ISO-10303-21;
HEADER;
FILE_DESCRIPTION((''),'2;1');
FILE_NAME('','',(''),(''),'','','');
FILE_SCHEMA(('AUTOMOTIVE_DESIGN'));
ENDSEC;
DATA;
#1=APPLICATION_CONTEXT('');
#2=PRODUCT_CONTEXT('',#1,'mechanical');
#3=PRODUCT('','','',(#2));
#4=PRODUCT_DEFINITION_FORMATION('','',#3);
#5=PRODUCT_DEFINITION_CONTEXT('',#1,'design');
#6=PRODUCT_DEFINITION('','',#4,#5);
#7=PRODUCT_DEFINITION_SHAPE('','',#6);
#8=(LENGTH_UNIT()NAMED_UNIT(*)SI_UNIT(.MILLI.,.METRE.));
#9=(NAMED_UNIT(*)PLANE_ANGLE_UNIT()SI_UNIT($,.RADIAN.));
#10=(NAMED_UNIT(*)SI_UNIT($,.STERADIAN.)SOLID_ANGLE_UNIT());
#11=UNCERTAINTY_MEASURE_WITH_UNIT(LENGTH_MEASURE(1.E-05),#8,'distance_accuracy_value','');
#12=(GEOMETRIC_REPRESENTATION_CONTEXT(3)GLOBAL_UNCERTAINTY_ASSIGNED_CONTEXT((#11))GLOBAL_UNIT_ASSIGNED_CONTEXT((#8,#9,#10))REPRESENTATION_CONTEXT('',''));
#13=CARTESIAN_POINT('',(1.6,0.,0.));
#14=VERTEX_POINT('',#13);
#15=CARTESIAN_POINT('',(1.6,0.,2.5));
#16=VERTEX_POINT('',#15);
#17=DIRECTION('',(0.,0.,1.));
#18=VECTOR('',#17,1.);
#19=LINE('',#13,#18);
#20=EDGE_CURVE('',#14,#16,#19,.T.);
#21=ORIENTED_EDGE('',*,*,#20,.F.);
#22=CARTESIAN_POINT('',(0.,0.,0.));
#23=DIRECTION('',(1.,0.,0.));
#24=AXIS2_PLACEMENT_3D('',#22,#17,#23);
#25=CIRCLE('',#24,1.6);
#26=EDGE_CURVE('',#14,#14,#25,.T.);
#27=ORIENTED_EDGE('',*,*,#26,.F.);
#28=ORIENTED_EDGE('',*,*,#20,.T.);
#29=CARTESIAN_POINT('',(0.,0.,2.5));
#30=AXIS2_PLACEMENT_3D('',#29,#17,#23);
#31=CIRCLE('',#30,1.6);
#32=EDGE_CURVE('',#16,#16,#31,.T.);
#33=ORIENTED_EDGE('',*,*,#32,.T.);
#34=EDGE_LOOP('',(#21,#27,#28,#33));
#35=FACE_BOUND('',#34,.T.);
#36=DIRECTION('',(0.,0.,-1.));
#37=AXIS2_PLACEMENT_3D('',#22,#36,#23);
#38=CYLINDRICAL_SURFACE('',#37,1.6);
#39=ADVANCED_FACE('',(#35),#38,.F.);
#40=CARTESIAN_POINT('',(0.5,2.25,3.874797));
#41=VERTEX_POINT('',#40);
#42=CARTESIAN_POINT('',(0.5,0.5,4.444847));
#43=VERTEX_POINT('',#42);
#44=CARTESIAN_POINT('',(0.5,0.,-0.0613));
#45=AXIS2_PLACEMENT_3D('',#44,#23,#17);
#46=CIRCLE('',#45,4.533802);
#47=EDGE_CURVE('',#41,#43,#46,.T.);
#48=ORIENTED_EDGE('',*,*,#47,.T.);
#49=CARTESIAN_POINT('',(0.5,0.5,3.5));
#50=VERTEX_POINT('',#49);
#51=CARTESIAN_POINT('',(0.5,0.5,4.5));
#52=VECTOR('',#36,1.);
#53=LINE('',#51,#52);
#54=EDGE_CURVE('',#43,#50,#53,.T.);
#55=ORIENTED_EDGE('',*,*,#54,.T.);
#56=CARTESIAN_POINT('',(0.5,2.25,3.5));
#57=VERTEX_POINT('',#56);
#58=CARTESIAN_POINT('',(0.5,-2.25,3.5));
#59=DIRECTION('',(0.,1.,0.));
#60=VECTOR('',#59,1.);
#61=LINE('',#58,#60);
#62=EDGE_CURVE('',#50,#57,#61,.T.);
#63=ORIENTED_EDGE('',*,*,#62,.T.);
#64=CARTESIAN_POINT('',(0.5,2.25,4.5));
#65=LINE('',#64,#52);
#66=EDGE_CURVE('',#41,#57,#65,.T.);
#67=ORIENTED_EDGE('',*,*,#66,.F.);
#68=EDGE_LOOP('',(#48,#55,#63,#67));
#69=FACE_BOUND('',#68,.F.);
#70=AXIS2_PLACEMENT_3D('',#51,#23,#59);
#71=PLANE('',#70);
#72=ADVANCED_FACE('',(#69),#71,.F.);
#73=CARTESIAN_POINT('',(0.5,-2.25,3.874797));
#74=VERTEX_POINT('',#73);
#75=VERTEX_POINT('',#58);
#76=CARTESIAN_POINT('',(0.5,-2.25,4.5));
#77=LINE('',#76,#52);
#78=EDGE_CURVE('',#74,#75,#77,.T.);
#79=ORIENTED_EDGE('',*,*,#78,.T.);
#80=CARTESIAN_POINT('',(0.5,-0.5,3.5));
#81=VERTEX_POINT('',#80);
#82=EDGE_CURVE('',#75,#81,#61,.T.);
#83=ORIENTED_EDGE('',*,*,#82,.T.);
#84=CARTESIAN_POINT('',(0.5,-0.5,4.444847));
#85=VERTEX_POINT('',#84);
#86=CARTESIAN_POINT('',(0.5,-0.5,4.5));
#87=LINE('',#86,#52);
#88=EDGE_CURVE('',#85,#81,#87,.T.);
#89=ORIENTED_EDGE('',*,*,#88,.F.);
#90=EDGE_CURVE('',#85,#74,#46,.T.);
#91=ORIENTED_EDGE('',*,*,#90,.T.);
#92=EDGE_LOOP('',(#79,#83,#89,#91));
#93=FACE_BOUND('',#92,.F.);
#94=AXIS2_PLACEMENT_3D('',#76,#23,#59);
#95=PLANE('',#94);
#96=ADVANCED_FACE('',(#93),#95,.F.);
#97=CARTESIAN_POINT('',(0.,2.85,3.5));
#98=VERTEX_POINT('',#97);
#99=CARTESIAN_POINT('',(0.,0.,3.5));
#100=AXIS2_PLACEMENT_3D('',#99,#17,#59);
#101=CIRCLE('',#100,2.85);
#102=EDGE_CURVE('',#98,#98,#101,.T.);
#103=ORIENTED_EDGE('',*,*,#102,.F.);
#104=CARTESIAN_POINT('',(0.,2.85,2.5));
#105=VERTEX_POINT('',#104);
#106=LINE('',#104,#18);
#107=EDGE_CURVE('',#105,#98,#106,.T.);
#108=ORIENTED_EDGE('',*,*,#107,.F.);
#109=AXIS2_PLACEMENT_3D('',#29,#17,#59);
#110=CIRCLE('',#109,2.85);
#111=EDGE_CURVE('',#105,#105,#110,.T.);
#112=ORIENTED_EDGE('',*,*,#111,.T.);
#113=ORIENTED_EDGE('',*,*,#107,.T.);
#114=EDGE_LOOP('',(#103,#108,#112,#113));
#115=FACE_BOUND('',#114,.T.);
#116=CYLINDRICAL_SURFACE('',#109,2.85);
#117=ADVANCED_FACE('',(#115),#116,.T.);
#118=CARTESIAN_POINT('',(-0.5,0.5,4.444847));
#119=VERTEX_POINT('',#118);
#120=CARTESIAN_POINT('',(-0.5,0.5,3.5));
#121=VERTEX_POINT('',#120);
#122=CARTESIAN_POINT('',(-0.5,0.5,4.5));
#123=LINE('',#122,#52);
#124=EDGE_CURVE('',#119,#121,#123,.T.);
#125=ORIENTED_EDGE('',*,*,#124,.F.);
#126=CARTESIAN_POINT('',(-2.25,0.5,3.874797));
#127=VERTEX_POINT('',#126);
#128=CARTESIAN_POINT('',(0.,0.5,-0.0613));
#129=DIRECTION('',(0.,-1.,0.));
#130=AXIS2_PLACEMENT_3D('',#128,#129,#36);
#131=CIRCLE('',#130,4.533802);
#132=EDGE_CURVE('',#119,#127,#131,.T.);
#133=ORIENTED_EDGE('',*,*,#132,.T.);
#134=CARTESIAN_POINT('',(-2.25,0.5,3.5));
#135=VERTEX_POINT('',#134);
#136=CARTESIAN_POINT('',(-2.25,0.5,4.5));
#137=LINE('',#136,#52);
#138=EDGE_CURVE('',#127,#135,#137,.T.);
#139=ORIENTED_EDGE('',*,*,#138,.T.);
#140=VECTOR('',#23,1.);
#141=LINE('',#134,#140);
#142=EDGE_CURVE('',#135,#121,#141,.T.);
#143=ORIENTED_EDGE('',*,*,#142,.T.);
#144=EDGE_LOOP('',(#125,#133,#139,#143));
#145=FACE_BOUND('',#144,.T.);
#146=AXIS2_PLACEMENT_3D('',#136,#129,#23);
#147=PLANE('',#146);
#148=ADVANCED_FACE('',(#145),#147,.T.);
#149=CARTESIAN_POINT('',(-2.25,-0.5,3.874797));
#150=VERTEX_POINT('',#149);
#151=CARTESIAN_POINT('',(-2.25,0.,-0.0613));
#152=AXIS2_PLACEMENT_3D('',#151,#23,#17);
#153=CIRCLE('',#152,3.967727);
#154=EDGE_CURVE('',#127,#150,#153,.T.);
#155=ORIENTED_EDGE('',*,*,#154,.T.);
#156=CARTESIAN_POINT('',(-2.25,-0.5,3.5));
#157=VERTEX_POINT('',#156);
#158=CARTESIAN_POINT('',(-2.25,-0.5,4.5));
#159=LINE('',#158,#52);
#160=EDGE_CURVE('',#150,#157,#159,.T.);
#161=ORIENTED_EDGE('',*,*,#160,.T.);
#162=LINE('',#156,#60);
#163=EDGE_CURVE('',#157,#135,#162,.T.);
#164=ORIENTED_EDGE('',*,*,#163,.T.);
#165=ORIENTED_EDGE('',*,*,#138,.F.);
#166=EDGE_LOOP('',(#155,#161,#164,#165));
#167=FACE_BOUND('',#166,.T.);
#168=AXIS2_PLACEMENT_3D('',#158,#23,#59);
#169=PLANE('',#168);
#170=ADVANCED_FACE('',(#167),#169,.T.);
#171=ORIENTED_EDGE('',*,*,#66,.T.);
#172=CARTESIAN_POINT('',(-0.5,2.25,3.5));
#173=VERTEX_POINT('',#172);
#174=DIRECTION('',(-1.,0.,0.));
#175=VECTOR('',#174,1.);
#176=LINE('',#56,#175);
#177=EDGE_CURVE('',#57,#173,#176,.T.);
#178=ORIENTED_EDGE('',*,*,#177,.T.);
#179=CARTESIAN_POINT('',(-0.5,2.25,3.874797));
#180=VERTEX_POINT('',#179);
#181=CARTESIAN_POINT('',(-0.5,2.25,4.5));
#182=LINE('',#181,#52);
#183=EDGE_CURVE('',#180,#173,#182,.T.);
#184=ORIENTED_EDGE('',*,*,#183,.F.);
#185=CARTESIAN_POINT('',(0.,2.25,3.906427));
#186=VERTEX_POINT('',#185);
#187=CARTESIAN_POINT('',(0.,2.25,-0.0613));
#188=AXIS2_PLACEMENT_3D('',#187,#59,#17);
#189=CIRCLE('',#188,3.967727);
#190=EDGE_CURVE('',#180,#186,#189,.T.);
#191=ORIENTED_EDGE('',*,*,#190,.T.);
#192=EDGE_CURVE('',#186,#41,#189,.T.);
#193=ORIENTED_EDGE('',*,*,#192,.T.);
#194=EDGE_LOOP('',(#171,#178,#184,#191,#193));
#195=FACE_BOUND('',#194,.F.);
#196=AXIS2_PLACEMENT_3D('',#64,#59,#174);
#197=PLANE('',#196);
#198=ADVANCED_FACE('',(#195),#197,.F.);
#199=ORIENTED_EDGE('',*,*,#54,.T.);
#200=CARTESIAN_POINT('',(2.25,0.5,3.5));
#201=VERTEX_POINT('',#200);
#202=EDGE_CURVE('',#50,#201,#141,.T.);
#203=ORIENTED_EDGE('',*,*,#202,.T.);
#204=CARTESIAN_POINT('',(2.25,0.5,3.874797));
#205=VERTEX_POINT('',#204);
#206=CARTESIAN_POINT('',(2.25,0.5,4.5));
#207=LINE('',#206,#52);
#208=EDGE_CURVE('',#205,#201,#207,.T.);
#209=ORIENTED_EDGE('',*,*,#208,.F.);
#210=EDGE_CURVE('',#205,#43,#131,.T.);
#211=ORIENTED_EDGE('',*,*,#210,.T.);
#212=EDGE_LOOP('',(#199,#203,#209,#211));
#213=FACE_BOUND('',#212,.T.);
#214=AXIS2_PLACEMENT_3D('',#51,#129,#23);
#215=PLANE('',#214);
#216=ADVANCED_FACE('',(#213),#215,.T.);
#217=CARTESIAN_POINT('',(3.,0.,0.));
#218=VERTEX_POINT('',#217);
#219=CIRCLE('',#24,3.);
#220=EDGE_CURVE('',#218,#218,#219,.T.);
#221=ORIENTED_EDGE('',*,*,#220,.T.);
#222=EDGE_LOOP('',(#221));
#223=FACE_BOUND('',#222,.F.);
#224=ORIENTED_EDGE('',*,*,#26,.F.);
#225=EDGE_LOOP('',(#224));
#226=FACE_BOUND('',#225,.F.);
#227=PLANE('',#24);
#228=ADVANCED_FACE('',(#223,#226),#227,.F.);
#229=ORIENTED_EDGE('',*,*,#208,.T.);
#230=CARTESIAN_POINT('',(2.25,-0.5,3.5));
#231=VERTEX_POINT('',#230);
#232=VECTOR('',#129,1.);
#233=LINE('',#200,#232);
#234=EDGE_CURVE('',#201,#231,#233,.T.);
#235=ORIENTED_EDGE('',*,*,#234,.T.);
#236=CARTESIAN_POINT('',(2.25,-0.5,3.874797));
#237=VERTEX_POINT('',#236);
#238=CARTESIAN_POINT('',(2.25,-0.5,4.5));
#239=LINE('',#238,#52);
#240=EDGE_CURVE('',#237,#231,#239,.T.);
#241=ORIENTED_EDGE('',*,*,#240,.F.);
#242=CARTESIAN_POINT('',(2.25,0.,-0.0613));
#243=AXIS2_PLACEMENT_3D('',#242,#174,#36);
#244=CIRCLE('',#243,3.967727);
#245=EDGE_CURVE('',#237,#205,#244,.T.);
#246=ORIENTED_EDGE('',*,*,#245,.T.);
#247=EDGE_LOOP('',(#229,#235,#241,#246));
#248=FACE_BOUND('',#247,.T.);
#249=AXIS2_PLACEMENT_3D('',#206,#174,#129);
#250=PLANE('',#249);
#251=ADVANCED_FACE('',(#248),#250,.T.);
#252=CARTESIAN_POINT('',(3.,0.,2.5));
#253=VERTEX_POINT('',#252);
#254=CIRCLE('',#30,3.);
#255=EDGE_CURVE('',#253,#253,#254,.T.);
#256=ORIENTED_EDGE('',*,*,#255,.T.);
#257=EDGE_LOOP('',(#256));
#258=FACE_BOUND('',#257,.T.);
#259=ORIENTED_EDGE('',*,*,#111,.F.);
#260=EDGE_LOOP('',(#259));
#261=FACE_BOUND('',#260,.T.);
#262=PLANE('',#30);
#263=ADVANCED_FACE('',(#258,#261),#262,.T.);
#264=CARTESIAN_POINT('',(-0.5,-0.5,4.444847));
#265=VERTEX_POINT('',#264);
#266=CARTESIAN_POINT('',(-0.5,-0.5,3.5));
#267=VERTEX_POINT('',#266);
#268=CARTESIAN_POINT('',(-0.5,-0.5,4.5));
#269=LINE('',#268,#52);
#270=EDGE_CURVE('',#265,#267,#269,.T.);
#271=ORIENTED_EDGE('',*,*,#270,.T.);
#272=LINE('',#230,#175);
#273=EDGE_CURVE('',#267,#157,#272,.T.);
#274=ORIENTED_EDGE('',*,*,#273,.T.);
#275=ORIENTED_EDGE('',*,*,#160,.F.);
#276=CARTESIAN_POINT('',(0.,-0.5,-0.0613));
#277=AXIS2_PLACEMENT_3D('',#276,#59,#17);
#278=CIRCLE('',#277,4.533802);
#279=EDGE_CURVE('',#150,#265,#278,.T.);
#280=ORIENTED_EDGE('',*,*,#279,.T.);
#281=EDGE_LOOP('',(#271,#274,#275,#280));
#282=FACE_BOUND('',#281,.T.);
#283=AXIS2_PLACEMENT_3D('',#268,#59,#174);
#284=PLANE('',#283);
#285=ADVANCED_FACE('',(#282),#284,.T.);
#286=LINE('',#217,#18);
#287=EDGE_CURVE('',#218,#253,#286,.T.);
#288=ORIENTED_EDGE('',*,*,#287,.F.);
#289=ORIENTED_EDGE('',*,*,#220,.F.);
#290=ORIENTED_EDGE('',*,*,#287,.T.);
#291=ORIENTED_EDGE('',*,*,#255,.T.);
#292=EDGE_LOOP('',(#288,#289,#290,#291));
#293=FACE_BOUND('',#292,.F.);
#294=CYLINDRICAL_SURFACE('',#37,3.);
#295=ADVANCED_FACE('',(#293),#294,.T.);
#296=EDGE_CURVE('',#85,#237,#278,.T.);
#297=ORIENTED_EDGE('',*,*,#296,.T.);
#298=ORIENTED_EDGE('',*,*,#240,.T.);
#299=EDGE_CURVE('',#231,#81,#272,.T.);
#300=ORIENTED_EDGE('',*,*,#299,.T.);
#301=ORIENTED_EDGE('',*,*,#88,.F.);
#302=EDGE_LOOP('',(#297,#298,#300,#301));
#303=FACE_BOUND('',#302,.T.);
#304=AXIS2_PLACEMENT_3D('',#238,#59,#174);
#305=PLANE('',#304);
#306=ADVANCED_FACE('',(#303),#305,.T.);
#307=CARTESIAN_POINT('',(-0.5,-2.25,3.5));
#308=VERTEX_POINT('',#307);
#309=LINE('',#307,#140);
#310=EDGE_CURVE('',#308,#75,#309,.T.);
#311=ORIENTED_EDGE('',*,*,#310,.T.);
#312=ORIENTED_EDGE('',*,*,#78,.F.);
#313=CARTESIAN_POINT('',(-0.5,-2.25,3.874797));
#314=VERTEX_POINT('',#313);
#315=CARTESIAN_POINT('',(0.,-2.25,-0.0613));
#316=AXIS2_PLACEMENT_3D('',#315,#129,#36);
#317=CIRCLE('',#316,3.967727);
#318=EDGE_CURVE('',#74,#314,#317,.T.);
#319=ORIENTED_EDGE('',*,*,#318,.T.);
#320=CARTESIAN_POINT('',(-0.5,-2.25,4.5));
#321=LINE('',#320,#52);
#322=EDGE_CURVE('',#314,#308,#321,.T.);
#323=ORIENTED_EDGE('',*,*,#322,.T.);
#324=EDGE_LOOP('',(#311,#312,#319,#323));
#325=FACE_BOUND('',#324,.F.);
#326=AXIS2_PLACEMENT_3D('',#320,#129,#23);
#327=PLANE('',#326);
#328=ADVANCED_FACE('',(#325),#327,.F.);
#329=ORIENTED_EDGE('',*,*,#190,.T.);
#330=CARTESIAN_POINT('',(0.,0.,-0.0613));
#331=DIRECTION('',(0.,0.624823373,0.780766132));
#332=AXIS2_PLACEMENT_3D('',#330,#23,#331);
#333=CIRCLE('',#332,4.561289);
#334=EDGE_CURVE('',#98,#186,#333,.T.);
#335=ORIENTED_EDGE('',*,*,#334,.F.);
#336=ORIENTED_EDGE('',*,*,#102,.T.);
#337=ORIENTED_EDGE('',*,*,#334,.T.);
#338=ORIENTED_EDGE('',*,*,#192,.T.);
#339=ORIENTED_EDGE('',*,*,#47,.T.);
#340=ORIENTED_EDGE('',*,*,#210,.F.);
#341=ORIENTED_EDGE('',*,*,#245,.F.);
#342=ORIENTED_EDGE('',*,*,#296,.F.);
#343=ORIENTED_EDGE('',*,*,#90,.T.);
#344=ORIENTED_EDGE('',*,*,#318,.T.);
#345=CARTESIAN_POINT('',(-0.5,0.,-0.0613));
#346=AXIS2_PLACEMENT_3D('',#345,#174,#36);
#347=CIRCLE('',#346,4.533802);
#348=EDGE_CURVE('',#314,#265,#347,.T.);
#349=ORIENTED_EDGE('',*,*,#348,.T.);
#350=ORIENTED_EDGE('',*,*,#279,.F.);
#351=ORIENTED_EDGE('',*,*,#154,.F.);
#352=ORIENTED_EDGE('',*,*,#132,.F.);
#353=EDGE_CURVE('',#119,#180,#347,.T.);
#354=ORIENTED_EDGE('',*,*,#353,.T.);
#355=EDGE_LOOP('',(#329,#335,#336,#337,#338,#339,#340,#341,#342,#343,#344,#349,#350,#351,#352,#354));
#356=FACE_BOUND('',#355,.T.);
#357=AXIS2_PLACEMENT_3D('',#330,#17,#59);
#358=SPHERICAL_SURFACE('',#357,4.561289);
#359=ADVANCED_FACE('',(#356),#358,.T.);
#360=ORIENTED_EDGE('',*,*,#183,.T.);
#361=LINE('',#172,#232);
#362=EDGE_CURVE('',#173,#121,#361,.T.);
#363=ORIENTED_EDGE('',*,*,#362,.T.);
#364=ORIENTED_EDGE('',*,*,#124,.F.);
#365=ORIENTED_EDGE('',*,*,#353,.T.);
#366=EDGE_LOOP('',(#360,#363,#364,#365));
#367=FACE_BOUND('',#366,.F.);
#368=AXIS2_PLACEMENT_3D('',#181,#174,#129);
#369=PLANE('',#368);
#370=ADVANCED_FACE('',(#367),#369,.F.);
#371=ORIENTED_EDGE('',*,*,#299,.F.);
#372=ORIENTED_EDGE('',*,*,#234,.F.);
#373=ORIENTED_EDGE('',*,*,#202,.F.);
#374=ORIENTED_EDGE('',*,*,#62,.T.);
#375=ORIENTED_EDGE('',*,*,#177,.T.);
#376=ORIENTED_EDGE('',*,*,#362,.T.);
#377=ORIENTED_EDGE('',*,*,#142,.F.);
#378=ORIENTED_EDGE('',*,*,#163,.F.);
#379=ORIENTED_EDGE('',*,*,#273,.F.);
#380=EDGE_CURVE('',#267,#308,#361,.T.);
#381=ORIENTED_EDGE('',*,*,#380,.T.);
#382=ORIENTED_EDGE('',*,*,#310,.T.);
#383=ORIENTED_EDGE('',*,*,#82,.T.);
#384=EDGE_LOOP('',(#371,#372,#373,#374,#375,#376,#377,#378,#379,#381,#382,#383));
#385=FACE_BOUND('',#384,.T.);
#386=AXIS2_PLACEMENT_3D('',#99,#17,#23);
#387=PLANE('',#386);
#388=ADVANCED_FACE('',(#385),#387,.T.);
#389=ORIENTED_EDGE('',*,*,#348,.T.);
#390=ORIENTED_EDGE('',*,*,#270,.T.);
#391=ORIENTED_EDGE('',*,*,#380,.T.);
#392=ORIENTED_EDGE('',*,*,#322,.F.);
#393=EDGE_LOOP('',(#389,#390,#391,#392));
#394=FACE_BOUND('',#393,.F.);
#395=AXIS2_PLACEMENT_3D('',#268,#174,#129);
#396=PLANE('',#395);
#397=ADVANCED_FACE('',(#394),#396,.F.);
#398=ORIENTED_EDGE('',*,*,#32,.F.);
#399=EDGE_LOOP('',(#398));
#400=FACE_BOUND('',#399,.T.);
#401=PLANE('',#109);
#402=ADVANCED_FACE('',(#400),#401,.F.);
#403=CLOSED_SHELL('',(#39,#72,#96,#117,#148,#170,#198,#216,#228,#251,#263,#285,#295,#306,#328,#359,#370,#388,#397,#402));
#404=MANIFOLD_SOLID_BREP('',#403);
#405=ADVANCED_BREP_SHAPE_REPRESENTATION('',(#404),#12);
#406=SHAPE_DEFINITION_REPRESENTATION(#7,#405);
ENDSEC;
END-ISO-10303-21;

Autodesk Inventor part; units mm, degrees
ref_plane "YZ Plane" through (0, 0, 0) normal (1, 0, 0) x (0, 1, 0)
ref_plane "XZ Plane" through (0, 0, 0) normal (0, 1, 0) x (-1, 0, 0)
sketch "スケッチ1" plane through (0, 0, 0) normal (0, 0, 1) x (1, 0, 0)
  circle A0 centre (0, 0) radius 1.6
  circle A1 centre (0, 0) radius 3
  dimension "d0" = 3.2
  dimension "d1" = 6
extrude "押し出し1" add sketch "スケッチ1" along normal blind 2.5
sketch "スケッチ2" plane through (0, 0, 0) normal (1, 0, 0) x (0, 1, 0)
  arc A0 (2.85, 3.5) -> (-2.85, 3.5) centre (0, -0.0613) ccw
  line L0 (2.85, 3.5) -> (-2.85, 3.5)
  line L1 (-2.85, 3.5) -> (-2.85, 2.5)
  line L2 (-2.85, 2.5) -> (2.85, 2.5)
  line L3 (2.85, 2.5) -> (2.85, 3.5)
  line L4 (3, 2.5) -> (-3, 2.5) projected
  line L5 (10, 4.5) -> (-10, 4.5)
  line L6 (0, 2.5) -> (0, 4.5)
  point P0 (0, 0)
  point P1 (0, 4.5)
  dimension "d4" = 1
  dimension "d5" = 1
  dimension "d7" = 5.7
revolve "回転1" add sketch "スケッチ2" angle 360 about axis through (0, 0, 2.5) along (0, 0, 1) picked at (1.6112, 3.682) contours L0 L6 A0 | L3 L2 L6 L0
ref_plane "作業平面1" through (0, 0, 4.5) normal (0, 0, 1) x (1, 0, 0)
sketch "スケッチ3" plane through (0, 0, 4.5) normal (0, 0, 1) x (1, 0, 0)
  line L0 (2.25, -0.5) -> (-2.25, -0.5)
  line L1 (-2.25, -0.5) -> (-2.25, 0.5)
  line L2 (-2.25, 0.5) -> (2.25, 0.5)
  line L3 (2.25, 0.5) -> (2.25, -0.5)
  line L4 (2.25, -0.5) -> (-2.25, 0.5) construction
  line L5 (-2.25, -0.5) -> (2.25, 0.5) construction
  line L6 (-0.5, -2.25) -> (0.5, -2.25)
  line L7 (0.5, -2.25) -> (0.5, 2.25)
  line L8 (0.5, 2.25) -> (-0.5, 2.25)
  line L9 (-0.5, 2.25) -> (-0.5, -2.25)
  line L10 (-0.5, -2.25) -> (0.5, 2.25) construction
  line L11 (0.5, -2.25) -> (-0.5, 2.25) construction
  point P0 (0, 0)
  point P1 (-0.5, 0.5)
  point P2 (-0.5, -0.5)
  point P3 (0.5, -0.5)
  point P4 (0.5, 0.5)
  dimension "d9" = 4.5
  dimension "d10" = 1
extrude "押し出し2" cut sketch "スケッチ3" against normal blind 1
properties part number "bearing_3_6_2.5" material "アルミニウム 6061"
